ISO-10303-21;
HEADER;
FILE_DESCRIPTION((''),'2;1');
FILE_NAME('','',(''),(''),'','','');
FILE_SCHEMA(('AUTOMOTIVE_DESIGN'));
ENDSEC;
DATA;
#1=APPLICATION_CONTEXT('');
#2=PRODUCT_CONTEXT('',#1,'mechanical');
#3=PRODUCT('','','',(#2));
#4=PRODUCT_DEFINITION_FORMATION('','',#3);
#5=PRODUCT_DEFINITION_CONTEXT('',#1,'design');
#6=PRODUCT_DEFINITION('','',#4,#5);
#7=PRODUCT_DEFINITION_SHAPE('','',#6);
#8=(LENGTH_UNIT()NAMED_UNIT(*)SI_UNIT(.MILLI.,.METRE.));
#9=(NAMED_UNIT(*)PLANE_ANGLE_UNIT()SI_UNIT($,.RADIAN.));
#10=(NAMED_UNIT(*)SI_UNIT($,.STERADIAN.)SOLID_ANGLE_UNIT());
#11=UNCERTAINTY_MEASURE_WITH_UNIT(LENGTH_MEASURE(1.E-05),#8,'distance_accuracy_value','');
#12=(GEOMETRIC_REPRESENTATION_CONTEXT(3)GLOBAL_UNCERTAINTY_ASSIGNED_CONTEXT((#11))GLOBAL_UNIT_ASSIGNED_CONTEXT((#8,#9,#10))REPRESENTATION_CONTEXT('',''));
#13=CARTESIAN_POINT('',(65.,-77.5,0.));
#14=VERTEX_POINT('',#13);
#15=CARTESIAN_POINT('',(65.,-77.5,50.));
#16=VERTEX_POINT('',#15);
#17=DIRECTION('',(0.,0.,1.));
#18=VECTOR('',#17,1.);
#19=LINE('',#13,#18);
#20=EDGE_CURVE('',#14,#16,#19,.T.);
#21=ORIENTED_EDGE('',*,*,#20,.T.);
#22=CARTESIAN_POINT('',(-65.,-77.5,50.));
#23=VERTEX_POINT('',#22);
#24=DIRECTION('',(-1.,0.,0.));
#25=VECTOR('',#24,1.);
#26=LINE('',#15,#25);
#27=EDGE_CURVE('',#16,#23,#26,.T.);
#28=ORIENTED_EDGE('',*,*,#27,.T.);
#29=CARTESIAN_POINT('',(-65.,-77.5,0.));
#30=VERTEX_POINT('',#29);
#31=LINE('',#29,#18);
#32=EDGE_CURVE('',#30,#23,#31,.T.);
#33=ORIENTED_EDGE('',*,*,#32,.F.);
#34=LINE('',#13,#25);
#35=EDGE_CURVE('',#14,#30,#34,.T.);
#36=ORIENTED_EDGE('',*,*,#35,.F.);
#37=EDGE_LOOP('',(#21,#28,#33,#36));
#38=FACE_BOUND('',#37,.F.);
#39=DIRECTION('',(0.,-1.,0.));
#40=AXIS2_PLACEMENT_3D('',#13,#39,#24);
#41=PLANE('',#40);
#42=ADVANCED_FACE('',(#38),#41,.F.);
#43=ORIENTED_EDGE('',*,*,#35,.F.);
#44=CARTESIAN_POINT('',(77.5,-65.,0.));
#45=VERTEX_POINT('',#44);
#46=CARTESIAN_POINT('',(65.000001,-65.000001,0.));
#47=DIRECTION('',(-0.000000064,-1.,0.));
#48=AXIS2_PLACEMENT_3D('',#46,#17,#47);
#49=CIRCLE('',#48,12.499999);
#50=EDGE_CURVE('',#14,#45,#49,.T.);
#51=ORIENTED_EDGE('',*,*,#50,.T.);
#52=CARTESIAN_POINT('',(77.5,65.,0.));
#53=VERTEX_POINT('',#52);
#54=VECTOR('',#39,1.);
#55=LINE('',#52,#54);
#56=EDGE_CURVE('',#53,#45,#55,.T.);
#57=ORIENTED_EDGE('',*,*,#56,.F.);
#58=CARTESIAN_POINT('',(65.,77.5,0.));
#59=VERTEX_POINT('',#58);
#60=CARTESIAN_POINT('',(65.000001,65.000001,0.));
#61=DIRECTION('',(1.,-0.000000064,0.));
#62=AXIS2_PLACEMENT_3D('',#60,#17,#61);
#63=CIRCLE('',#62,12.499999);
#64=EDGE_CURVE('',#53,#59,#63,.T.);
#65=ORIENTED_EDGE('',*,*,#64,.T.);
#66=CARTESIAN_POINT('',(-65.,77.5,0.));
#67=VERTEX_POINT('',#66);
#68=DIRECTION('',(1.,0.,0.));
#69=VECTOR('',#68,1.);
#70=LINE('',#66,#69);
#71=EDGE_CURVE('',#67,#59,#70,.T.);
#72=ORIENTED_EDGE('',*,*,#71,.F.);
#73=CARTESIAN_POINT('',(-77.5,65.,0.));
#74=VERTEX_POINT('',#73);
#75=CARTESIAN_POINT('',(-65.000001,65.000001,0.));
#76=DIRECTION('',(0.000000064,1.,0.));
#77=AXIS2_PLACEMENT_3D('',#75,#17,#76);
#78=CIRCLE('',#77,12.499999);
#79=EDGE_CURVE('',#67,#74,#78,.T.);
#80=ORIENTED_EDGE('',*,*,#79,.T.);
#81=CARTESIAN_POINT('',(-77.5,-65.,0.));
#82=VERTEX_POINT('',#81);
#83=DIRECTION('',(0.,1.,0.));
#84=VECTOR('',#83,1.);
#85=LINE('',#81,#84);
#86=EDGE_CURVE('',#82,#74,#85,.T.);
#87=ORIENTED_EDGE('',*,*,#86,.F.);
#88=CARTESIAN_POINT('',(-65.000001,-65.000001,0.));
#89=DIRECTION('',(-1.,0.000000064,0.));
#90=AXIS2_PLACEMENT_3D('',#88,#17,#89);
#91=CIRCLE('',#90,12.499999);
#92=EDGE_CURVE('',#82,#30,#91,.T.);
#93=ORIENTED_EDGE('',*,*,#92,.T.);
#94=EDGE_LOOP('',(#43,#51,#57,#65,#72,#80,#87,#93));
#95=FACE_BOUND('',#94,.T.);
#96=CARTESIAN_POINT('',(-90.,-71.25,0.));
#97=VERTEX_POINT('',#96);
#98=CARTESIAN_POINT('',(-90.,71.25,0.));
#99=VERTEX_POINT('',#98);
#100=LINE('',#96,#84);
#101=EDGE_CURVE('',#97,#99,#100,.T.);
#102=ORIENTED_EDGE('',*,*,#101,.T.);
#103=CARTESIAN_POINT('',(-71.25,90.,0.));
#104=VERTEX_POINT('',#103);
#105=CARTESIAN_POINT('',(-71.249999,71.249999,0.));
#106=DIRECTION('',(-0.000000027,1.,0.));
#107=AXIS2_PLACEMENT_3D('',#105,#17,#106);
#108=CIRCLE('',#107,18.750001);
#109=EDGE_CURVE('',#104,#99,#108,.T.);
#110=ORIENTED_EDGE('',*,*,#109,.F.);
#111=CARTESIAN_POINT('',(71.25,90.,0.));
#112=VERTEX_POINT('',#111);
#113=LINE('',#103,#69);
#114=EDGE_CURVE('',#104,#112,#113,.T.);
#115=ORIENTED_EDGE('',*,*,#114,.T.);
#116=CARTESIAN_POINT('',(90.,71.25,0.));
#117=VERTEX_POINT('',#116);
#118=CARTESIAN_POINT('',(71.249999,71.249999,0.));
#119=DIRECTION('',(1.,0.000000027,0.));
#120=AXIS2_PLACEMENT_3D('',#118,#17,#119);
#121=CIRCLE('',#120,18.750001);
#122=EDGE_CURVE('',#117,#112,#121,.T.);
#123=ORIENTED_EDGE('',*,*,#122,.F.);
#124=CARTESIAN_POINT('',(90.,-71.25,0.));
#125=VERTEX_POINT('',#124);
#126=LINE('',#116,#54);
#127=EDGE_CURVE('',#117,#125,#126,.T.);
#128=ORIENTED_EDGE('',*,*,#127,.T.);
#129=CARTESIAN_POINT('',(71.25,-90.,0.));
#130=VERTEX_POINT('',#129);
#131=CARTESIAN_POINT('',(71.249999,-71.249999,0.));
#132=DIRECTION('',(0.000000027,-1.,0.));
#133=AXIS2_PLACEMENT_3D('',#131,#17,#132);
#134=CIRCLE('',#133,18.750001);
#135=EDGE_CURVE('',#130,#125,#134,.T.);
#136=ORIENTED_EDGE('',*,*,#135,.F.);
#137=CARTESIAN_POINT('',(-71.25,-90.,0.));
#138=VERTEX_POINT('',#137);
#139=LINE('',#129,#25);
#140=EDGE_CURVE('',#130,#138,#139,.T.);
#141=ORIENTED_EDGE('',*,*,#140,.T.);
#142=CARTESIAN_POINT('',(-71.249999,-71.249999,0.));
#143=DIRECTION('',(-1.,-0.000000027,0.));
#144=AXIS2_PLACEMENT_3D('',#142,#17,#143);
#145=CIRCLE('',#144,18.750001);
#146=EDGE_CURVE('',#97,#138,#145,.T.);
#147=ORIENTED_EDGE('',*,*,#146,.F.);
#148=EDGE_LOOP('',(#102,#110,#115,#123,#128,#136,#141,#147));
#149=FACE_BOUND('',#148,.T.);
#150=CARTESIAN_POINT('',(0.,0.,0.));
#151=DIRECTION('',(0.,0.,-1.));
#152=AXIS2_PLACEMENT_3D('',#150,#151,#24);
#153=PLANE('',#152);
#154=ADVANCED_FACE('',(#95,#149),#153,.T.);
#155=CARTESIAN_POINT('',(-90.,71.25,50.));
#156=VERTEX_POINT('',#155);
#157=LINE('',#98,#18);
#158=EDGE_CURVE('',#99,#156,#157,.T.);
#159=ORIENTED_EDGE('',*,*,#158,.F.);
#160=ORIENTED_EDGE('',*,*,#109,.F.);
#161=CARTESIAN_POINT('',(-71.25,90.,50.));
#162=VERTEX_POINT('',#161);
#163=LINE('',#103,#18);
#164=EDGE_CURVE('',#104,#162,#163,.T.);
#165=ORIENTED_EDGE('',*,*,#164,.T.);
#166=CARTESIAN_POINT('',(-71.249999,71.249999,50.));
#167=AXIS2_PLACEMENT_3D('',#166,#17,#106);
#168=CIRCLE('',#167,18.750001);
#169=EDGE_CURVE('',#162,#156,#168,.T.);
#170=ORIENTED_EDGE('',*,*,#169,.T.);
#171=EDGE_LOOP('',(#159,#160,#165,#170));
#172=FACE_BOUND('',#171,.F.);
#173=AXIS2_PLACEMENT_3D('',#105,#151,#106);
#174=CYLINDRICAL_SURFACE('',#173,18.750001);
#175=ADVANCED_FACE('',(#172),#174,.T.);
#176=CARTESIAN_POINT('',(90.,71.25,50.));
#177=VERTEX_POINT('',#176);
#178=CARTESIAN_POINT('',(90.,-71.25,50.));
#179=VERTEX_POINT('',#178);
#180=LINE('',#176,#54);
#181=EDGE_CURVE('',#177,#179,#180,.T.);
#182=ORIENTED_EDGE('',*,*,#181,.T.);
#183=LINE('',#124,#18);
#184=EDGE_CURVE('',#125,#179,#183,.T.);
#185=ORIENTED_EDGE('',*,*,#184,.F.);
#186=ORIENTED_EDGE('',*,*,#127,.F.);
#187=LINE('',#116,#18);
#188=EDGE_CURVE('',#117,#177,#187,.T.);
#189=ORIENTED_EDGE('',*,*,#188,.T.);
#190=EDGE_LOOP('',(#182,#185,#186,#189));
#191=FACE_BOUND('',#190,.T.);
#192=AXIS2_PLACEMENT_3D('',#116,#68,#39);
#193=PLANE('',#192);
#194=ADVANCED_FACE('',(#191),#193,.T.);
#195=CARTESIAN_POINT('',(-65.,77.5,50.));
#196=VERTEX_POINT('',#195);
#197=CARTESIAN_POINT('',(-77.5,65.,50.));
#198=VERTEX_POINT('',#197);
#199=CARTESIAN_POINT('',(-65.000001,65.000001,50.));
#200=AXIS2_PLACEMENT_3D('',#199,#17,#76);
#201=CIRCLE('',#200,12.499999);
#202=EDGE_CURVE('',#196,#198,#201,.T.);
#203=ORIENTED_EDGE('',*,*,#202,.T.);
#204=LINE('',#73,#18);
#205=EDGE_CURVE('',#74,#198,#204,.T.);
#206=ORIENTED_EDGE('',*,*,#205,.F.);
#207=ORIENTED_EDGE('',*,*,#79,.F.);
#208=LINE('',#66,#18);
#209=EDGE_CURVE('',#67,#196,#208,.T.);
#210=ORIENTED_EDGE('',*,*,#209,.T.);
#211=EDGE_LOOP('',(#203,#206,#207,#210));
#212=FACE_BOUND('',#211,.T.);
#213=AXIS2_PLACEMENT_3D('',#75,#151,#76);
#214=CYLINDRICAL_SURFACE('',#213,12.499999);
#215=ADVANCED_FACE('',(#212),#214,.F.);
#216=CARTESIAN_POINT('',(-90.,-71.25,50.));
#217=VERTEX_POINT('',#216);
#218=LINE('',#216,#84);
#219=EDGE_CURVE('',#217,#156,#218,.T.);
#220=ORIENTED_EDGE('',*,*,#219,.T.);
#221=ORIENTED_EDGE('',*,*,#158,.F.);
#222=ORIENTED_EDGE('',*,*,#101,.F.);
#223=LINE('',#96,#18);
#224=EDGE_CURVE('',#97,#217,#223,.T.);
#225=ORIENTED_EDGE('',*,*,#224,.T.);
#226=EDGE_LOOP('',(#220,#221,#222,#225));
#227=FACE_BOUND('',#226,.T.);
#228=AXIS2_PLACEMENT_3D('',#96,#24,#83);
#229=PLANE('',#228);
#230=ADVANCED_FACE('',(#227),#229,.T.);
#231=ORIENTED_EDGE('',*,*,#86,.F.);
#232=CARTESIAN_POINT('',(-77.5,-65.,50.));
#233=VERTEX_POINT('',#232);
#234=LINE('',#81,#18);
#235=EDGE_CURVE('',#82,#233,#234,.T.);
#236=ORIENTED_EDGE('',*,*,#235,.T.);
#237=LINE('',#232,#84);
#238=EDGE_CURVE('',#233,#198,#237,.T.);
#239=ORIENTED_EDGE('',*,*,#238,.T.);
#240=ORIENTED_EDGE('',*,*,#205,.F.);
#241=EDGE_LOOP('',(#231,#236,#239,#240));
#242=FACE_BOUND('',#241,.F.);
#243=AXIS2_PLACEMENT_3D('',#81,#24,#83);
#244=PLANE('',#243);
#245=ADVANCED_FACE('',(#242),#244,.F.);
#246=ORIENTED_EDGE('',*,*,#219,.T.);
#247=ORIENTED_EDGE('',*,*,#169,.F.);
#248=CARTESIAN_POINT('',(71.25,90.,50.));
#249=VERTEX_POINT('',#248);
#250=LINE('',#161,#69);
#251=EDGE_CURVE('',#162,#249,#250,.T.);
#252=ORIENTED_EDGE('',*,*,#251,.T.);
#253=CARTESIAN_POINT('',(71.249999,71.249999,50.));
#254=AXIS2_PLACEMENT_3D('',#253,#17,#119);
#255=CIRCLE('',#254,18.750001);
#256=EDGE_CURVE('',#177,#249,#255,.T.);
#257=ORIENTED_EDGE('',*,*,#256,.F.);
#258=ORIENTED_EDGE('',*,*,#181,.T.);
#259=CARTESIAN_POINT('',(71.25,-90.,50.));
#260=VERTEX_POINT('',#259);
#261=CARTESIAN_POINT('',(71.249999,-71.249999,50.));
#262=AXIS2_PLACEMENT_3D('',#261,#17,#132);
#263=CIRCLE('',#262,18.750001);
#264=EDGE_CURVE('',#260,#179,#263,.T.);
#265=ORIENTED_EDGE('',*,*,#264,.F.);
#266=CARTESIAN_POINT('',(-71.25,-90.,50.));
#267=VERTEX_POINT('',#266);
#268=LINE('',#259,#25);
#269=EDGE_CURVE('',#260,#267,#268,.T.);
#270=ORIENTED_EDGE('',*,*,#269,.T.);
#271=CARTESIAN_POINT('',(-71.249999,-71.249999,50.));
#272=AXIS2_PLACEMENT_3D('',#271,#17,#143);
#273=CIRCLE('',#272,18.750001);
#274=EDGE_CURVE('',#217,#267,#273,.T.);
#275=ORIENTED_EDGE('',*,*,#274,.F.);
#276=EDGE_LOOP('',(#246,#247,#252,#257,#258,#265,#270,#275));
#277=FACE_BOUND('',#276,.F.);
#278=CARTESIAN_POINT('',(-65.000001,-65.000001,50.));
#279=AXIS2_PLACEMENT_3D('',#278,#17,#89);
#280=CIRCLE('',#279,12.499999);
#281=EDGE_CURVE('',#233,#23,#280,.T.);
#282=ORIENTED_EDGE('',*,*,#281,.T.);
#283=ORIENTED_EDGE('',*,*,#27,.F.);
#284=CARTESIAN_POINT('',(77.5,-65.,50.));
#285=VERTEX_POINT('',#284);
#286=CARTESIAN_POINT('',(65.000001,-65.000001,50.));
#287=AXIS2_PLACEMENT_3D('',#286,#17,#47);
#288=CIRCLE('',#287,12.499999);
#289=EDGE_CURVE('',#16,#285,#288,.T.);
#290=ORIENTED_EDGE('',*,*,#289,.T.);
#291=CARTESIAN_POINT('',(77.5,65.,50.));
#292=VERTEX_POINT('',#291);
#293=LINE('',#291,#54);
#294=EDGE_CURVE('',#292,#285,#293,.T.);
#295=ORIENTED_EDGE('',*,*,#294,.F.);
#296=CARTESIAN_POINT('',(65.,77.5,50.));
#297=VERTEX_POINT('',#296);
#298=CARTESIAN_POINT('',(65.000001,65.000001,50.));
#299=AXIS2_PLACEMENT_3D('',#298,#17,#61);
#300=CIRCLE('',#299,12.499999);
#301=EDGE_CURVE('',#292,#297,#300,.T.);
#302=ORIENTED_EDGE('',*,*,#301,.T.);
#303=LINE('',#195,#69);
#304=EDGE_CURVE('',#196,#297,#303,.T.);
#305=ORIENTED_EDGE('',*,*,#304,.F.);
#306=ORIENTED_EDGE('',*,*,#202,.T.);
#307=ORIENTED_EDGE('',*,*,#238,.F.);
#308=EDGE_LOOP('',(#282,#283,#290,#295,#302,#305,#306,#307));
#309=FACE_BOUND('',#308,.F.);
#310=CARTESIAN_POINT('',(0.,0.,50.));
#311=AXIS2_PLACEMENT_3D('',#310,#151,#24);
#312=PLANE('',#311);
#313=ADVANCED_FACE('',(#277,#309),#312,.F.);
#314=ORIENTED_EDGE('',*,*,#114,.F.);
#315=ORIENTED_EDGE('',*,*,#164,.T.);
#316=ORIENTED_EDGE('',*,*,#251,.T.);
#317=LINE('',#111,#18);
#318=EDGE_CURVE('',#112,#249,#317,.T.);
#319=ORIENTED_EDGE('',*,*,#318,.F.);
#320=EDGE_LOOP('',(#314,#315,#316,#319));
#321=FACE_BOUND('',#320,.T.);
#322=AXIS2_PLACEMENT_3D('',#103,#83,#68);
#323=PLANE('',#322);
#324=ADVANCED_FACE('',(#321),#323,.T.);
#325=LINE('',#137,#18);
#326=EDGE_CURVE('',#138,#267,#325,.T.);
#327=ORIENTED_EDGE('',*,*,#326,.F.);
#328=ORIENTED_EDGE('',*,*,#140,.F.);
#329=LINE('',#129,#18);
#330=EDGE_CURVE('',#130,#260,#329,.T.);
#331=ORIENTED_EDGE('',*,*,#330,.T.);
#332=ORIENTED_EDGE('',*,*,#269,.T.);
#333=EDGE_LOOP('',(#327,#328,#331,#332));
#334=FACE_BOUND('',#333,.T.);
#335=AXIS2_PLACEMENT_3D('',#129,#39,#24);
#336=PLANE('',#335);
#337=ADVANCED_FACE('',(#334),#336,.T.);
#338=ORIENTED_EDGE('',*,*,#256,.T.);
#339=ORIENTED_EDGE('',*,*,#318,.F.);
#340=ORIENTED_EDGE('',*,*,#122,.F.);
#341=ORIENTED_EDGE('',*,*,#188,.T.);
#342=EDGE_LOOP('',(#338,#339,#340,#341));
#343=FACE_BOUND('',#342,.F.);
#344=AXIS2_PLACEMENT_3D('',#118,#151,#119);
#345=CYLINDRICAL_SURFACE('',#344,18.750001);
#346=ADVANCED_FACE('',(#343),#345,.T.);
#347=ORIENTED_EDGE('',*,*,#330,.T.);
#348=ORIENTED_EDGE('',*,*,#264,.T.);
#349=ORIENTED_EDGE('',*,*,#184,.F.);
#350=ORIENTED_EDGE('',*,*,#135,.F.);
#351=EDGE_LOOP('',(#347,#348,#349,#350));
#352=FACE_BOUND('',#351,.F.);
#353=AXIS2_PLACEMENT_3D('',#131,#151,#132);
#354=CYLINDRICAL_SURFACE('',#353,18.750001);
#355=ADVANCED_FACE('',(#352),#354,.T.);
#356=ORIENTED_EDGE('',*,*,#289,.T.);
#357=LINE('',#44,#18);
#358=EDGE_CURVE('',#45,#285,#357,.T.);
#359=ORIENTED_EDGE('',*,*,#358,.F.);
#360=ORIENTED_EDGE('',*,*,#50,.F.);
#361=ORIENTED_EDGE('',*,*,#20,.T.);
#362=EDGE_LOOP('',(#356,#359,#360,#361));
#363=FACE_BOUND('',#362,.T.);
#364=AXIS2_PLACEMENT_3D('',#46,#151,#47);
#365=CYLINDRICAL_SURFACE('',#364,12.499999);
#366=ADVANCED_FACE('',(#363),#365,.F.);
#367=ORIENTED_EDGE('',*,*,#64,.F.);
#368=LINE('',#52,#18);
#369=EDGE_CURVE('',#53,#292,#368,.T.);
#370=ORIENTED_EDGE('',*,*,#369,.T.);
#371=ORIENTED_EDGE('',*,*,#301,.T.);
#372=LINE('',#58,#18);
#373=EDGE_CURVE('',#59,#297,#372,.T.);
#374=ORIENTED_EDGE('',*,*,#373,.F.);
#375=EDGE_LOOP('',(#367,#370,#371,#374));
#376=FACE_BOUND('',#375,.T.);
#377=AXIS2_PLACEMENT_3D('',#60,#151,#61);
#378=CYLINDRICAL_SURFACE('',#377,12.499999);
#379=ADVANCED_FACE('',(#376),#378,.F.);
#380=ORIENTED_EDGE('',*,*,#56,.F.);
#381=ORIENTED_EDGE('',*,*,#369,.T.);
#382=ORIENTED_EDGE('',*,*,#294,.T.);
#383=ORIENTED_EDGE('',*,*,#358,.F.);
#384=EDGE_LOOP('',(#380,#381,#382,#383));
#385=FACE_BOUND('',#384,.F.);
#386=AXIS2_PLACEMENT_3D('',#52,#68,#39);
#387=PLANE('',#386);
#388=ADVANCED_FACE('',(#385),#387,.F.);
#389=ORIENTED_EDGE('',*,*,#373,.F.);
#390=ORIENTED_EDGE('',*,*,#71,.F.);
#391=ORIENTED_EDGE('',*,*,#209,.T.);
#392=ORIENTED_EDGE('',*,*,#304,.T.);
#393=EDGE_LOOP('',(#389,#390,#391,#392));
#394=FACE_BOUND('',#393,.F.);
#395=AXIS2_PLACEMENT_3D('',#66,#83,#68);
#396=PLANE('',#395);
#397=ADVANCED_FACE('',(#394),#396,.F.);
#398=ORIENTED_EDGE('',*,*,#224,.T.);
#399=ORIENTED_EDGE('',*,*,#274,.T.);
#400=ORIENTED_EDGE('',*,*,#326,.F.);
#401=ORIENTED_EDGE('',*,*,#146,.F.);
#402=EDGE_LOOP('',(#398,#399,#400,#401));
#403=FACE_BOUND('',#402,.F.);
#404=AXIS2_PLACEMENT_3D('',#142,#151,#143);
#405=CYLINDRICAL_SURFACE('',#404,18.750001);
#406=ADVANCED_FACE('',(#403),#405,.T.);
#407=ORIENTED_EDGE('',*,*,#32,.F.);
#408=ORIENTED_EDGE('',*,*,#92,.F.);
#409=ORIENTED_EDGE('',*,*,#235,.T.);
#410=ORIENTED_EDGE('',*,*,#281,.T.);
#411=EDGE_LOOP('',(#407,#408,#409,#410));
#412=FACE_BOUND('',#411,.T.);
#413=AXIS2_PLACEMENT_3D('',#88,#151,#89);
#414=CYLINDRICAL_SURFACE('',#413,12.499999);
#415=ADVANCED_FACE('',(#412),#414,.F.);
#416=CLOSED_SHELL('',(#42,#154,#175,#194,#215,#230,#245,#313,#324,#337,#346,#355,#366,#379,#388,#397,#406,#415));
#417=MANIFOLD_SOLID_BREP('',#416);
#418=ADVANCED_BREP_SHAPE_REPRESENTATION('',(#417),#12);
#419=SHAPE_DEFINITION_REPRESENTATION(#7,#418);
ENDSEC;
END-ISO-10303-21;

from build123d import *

# Parameters (mm, degrees)
EXTRUDE_DEPTH = 50


with BuildPart() as part:
    # Sketch → Extrude (new body)
    with BuildSketch(Plane.XY):
        with BuildLine():
            Line((-71.25, 90), (71.25, 90))
            ThreePointArc((90, 71.25), (84.508252, 84.508252), (71.25, 90))
            Line((90, 71.25), (90, -71.25))
            ThreePointArc((71.25, -90), (84.508252, -84.508252), (90, -71.25))
            Line((71.25, -90), (-71.25, -90))
            ThreePointArc((-90, -71.25), (-84.508252, -84.508252), (-71.25, -90))
            Line((-90, -71.25), (-90, 71.25))
            ThreePointArc((-71.25, 90), (-84.508252, 84.508252), (-90, 71.25))
        make_face()
        with BuildLine():
            Line((-65, 77.5), (65, 77.5))
            ThreePointArc((77.5, 65), (73.838835, 73.838835), (65, 77.5))
            Line((77.5, 65), (77.5, -65))
            ThreePointArc((65, -77.5), (73.838835, -73.838835), (77.5, -65))
            Line((65, -77.5), (-65, -77.5))
            ThreePointArc((-77.5, -65), (-73.838835, -73.838835), (-65, -77.5))
            Line((-77.5, -65), (-77.5, 65))
            ThreePointArc((-65, 77.5), (-73.838835, 73.838835), (-77.5, 65))
        make_face(mode=Mode.SUBTRACT)
    extrude(amount=EXTRUDE_DEPTH)


solid = part.part
